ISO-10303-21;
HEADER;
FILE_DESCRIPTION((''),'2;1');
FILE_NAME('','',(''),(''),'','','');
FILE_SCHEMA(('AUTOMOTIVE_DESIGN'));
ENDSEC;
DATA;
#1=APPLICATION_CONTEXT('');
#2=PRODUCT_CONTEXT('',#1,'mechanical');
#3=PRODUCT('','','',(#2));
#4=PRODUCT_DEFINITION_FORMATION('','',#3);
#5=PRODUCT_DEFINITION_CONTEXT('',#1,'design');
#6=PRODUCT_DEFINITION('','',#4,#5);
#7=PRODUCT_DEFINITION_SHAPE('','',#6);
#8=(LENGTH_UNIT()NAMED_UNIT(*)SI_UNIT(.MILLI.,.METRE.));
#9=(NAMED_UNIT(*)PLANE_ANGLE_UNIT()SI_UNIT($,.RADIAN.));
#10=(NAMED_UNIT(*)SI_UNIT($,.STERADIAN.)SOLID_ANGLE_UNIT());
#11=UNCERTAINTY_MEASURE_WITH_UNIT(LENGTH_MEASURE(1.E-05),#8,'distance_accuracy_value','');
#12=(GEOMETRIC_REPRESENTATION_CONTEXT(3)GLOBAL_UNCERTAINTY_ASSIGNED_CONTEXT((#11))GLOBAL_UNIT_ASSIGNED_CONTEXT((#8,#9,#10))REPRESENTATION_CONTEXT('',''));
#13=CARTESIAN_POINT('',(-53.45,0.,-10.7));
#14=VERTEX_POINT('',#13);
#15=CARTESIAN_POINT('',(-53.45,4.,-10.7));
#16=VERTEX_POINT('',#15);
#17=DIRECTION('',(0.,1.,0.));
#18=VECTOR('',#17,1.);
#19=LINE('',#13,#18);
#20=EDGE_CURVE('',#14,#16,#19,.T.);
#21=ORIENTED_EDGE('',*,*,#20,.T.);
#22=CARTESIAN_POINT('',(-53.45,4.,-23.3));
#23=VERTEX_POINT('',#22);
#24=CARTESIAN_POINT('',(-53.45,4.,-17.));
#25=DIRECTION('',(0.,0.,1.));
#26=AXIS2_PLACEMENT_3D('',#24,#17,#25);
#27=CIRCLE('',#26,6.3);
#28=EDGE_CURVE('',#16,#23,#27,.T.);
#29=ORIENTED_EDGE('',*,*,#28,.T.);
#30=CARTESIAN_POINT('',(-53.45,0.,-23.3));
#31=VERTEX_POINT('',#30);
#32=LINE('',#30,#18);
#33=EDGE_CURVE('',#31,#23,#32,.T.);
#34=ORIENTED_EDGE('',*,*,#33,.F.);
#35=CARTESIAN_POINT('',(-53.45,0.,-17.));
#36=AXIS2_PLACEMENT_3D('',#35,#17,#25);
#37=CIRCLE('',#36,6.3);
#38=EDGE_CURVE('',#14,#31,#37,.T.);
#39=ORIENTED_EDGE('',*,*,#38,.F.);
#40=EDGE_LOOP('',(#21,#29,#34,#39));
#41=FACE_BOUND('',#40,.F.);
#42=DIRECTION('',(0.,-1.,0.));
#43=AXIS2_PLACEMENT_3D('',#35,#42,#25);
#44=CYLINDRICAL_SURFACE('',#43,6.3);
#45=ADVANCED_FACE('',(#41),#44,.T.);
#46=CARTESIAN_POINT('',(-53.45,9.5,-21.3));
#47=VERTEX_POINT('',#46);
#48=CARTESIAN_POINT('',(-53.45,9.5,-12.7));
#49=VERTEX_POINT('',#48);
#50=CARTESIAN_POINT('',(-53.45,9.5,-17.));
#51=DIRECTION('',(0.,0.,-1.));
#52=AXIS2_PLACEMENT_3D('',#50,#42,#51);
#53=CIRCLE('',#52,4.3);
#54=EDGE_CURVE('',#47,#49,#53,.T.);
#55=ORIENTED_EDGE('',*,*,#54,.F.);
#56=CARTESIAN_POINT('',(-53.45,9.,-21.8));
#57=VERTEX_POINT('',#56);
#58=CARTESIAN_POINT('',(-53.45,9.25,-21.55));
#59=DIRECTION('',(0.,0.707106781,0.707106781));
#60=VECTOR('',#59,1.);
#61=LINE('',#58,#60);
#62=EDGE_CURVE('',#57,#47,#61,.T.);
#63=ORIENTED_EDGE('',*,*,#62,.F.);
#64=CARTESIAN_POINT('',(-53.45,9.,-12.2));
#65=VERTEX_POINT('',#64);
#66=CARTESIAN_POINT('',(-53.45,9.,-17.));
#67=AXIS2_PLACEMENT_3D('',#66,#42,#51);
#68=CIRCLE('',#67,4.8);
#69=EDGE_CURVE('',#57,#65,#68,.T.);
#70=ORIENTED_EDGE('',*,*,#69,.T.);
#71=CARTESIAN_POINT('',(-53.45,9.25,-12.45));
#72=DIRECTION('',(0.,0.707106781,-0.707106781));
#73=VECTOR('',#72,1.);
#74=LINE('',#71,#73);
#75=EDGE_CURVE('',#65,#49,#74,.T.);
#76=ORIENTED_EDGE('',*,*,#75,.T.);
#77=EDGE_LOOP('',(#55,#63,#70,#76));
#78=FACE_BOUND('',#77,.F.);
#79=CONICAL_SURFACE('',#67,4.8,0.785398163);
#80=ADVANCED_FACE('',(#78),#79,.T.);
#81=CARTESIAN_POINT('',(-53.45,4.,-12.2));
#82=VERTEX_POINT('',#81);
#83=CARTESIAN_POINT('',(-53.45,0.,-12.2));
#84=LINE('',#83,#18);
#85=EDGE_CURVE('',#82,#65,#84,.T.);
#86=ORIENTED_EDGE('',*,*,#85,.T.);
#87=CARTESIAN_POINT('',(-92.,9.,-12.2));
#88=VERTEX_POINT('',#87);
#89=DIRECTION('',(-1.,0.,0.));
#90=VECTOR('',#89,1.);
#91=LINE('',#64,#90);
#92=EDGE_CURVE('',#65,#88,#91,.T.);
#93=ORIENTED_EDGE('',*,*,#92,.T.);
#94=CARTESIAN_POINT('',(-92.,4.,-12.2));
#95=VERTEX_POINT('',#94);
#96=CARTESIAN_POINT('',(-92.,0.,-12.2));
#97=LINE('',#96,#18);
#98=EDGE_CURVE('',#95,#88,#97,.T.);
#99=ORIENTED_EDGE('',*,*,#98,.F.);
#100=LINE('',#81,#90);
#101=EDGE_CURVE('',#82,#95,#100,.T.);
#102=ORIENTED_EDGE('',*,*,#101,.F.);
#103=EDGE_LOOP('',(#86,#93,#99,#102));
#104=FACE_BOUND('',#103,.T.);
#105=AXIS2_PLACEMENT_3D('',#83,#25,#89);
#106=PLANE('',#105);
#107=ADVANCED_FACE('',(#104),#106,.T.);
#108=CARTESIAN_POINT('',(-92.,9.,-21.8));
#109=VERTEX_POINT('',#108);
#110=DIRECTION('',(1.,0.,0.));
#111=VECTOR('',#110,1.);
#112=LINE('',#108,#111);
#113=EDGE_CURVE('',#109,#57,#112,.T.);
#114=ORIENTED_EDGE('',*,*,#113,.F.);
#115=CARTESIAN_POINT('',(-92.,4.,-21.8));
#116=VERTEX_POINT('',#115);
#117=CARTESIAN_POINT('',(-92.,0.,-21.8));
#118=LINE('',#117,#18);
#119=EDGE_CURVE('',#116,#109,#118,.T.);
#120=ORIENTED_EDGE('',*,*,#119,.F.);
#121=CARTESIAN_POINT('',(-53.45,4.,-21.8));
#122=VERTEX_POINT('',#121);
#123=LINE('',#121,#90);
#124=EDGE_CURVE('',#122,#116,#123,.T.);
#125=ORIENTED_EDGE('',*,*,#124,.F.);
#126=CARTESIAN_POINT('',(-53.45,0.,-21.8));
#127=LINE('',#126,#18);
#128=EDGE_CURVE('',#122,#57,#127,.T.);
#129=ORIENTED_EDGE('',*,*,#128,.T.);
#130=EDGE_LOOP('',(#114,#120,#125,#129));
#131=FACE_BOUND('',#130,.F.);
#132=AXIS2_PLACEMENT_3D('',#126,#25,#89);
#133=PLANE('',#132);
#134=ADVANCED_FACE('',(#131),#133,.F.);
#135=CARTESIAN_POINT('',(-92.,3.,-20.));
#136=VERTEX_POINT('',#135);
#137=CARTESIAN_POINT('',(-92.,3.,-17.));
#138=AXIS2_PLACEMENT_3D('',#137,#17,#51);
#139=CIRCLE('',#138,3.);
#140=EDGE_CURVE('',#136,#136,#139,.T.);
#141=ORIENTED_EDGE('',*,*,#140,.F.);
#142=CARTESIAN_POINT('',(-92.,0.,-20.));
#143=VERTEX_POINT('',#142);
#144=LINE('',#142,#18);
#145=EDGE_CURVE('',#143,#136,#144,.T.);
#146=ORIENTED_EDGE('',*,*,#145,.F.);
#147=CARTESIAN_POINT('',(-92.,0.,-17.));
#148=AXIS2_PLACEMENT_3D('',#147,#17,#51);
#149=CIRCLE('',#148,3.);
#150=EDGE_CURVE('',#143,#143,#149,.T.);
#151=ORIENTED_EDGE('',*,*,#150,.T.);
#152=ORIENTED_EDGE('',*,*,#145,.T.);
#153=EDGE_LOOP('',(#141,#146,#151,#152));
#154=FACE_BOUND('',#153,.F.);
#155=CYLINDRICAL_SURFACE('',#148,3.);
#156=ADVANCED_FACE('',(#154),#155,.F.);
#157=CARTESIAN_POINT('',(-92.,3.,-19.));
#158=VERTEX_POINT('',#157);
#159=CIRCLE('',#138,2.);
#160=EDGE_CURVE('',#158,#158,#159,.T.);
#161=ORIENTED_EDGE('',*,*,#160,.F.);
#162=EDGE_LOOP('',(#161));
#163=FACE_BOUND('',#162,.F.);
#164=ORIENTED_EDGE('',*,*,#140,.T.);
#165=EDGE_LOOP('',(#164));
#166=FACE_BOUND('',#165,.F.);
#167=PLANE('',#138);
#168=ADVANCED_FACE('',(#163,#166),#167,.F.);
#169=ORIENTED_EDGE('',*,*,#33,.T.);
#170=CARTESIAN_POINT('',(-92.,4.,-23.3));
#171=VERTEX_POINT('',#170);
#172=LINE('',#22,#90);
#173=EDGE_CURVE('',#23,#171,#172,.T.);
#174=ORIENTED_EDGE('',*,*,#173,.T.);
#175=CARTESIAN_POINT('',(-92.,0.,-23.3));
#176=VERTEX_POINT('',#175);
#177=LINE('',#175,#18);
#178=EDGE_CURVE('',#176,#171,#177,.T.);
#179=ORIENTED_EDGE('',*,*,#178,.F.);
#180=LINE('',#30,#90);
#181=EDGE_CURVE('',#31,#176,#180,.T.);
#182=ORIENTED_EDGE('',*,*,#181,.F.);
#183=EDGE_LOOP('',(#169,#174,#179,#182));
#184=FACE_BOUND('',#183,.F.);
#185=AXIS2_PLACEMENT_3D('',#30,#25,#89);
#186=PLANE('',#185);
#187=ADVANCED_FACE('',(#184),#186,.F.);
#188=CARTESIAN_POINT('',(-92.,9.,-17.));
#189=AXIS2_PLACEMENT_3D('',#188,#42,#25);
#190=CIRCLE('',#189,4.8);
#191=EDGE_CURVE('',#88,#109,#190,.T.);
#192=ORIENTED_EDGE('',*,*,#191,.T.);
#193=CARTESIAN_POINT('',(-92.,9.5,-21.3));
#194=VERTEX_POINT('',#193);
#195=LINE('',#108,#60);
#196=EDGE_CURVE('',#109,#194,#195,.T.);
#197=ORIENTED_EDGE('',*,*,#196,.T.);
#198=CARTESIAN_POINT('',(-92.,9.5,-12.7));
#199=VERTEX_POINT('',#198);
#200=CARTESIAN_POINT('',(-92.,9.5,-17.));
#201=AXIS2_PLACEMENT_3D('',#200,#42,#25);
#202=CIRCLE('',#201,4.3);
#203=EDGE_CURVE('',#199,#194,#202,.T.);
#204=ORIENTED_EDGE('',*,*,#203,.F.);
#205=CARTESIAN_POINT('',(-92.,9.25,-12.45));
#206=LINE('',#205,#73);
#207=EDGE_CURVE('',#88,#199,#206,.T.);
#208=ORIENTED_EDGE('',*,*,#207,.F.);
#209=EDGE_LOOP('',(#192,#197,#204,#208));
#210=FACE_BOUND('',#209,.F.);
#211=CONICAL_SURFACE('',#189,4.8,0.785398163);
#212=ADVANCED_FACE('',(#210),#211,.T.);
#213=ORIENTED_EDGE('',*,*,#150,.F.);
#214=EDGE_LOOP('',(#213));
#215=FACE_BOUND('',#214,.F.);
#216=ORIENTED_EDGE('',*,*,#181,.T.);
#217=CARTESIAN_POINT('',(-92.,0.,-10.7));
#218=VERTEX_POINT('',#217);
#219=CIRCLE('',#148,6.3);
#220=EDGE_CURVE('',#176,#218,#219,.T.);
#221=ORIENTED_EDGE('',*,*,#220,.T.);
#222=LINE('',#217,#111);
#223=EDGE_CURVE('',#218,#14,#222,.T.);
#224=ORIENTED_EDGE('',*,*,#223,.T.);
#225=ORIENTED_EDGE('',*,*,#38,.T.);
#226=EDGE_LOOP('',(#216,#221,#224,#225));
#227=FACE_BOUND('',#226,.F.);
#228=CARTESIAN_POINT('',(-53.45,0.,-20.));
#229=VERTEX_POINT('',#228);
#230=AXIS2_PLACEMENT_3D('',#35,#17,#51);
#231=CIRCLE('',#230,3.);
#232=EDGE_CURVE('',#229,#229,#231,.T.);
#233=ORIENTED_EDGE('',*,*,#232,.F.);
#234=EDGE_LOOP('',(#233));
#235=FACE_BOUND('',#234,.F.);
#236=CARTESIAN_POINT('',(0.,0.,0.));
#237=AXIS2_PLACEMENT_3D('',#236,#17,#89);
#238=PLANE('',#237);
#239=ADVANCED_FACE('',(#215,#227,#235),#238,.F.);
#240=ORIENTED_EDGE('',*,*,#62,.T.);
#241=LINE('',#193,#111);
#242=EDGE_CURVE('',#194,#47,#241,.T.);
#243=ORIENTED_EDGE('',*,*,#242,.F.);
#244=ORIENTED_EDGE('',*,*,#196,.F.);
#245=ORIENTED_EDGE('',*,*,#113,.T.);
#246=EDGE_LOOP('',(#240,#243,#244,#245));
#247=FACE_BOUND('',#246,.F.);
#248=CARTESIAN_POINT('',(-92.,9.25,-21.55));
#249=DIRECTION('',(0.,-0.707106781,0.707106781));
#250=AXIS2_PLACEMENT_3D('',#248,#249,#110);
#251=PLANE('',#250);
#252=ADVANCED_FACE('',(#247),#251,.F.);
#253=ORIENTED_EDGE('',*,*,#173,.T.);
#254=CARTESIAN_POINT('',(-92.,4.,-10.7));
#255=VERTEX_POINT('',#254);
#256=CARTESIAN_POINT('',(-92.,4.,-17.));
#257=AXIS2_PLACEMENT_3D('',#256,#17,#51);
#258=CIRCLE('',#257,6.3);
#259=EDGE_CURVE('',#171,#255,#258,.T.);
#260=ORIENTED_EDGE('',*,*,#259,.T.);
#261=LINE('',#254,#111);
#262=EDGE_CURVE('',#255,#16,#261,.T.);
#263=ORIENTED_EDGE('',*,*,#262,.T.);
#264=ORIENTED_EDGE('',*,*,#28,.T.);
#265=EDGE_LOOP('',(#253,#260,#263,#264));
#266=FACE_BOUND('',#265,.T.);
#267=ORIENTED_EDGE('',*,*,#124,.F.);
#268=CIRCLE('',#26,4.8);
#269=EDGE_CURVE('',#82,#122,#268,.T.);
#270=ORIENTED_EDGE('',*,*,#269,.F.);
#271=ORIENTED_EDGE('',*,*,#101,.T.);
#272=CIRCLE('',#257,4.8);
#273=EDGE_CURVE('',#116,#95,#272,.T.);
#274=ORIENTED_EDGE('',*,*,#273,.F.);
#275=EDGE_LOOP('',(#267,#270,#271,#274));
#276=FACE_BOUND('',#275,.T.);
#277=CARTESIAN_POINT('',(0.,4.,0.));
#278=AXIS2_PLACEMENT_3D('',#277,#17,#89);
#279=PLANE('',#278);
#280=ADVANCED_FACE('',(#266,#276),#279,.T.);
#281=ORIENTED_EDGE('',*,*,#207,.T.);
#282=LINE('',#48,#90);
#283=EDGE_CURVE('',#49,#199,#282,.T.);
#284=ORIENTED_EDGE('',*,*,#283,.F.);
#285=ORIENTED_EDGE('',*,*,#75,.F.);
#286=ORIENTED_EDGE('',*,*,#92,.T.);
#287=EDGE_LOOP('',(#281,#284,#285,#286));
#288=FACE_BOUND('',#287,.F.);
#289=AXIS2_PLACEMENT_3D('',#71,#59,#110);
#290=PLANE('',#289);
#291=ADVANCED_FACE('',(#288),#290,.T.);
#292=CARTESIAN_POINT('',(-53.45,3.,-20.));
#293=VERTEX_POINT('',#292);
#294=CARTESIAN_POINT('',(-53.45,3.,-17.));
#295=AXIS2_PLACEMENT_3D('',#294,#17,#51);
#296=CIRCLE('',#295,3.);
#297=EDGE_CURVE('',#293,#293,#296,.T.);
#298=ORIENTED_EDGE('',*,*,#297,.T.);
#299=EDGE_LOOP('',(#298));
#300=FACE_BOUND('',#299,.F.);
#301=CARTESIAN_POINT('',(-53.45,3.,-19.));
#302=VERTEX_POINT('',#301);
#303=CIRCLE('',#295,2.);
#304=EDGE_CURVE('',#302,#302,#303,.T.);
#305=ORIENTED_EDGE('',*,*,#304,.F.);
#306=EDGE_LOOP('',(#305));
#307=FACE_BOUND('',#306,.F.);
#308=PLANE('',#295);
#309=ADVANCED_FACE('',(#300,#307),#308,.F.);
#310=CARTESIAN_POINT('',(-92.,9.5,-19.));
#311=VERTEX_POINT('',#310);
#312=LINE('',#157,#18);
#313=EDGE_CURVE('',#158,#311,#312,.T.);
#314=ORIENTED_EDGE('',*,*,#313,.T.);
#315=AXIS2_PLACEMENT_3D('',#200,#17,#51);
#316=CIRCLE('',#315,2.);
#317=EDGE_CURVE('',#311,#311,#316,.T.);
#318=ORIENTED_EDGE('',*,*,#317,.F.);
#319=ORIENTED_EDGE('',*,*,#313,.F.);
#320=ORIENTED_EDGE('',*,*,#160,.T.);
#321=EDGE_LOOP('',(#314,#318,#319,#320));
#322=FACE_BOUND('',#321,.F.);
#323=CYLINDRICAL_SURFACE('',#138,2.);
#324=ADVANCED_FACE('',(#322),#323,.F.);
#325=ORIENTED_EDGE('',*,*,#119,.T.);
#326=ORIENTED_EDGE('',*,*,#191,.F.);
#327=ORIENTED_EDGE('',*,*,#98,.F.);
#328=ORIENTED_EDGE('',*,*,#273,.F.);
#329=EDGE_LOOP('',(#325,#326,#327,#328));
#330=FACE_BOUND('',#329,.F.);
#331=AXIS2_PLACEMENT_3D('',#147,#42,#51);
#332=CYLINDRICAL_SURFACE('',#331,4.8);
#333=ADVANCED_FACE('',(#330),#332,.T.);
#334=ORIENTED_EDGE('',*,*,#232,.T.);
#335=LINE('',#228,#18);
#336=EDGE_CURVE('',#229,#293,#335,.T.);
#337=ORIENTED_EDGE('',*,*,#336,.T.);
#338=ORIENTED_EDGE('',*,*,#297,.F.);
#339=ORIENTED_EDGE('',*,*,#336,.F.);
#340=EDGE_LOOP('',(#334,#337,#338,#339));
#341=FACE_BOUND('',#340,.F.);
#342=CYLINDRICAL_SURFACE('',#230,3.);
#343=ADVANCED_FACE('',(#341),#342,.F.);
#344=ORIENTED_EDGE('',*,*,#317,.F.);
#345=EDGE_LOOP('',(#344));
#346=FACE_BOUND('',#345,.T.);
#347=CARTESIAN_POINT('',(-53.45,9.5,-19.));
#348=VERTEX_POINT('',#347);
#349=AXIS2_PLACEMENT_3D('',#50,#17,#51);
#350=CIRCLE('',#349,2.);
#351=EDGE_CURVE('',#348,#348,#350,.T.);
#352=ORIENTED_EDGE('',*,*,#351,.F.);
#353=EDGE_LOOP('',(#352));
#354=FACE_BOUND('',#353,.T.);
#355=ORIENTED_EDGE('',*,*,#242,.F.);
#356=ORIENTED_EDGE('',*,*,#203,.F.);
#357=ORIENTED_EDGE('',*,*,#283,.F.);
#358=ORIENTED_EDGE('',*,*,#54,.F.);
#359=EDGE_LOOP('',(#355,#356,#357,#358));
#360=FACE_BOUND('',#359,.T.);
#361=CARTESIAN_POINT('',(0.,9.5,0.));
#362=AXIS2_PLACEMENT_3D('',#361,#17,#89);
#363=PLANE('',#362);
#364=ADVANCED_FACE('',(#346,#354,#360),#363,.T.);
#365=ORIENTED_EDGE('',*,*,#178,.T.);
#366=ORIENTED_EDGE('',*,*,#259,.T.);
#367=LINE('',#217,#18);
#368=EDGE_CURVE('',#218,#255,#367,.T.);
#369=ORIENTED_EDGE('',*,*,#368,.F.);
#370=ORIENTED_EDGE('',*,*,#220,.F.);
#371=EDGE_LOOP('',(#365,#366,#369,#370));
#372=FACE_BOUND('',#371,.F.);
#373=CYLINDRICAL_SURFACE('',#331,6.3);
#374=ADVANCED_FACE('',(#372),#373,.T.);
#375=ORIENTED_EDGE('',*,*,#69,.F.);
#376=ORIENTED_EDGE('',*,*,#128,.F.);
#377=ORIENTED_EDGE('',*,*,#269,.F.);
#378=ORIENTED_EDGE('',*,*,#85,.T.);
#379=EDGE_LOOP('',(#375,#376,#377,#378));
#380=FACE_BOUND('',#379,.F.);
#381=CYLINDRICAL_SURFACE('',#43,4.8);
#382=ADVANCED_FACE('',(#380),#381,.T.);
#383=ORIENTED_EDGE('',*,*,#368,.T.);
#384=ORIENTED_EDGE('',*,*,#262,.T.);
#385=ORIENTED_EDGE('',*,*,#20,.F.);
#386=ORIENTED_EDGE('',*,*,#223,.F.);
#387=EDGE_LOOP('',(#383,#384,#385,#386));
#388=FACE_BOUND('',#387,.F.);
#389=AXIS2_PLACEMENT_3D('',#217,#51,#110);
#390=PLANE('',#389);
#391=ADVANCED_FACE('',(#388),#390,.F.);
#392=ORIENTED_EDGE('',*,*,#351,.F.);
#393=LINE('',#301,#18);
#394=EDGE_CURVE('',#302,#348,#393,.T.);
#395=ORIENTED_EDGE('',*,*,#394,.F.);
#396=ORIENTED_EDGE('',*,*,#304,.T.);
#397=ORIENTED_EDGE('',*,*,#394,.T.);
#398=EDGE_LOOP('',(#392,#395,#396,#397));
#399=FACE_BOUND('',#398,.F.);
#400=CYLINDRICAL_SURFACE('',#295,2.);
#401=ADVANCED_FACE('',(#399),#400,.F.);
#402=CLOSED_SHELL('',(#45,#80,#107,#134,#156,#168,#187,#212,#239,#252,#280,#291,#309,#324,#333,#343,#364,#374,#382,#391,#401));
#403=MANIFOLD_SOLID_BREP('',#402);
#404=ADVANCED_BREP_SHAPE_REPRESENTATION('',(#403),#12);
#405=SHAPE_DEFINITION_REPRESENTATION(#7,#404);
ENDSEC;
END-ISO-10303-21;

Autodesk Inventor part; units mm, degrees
ref_plane "YZ Plane" through (0, 0, 0) normal (1, 0, 0) x (0, 1, 0)
ref_plane "XZ Plane" through (0, 0, 0) normal (0, 1, 0) x (-1, 0, 0)
ref_plane "XY Plane" through (0, 0, 0) normal (0, 0, 1) x (1, 0, 0)
sketch "Sketch1" plane through (0, 0, 0) normal (0, 1, 0) x (-1, 0, 0)
  line L0 (41.25, -2.25) -> (28.75, -2.25) construction
  line L1 (28.75, -2.25) -> (28.75, -14.75) construction
  line L2 (28.75, -14.75) -> (41.25, -14.75) construction
  line L3 (41.25, -14.75) -> (41.25, -2.25) construction
  line L4 (56.9183, -8.5) -> (8.3915, -8.5) construction
  line L5 (0, -17) -> (105, -17) construction
  line L6 (0, 0) -> (0, -51) construction
  line L7 (0, -34) -> (105, -34) construction
  line L8 (105, -51) -> (105, 0) construction
  line L9 (35, 19) -> (35, -51) construction
  line L10 (56.8064, -25.5) -> (17, -25.5) construction
  line L11 (28.75, -19.25) -> (28.75, -31.75) construction
  line L12 (41.25, -19.25) -> (28.75, -19.25) construction
  line L13 (41.25, -31.75) -> (41.25, -19.25) construction
  line L14 (28.75, -31.75) -> (41.25, -31.75) construction
  line L15 (28.75, -36.25) -> (28.75, -48.75) construction
  line L16 (41.25, -36.25) -> (28.75, -36.25) construction
  line L17 (41.25, -48.75) -> (41.25, -36.25) construction
  line L18 (28.75, -48.75) -> (41.25, -48.75) construction
  line L19 (56.3008, -42.5) -> (16.5498, -42.5) construction
  arc A0 (53.45, -12.2) -> (53.45, -21.8) centre (53.45, -17) ccw
  arc A1 (92, -21.8) -> (92, -12.2) centre (92, -17) ccw
  arc A2 (53.45, -29.2) -> (53.45, -38.8) centre (53.45, -34) ccw construction
  arc A3 (92, -38.8) -> (92, -29.2) centre (92, -34) ccw construction
  line L20 (53.45, -12.2) -> (92, -12.2)
  line L21 (53.45, -21.8) -> (92, -21.8)
  line L22 (53.45, -29.2) -> (92, -29.2) construction
  line L23 (53.45, -38.8) -> (92, -38.8) construction
  arc A4 (16.15, -38.6) -> (16.15, -29.4) centre (16.15, -34) ccw construction
  line L24 (103.5, -49.5) -> (103.5, -1.5) construction
  line L25 (1.5, -1.5) -> (1.5, -49.5) construction
  arc A5 (14, -29.4) -> (14, -38.6) centre (14, -34) ccw construction
  arc A6 (14, -12.4) -> (14, -21.6) centre (14, -17) ccw construction
  line L26 (16.15, -38.6) -> (14, -38.6) construction
  line L27 (14, -29.4) -> (16.15, -29.4) construction
  line L28 (14, -21.6) -> (16.15, -21.6) construction
  line L29 (16.15, -12.4) -> (14, -12.4) construction
  arc A7 (16.15, -21.6) -> (16.15, -12.4) centre (16.15, -17) ccw construction
  arc A8 (96.3, -51) -> (93, -47.7) centre (93, -51) ccw construction
  arc A9 (53.45, -47.7) -> (50.15, -51) centre (53.45, -51) ccw construction
  arc A10 (97.5596, -49.5) -> (93, -46.2) centre (93, -51) ccw construction
  line L30 (93, -46.2) -> (53.45, -46.2) construction
  line L31 (96.3, -51) -> (105, -51) construction
  line L32 (93, -47.7) -> (53.45, -47.7) construction
  line L33 (105, -49.5) -> (97.5596, -49.5) construction
  arc A11 (53.45, -46.2) -> (48.8904, -49.5) centre (53.45, -51) ccw construction
  arc A12 (48.8904, -1.5) -> (53.45, -4.8) centre (53.45, 0) ccw construction
  arc A13 (50.15, 0) -> (53.45, -3.3) centre (53.45, 0) ccw construction
  line L34 (93, -3.3) -> (53.45, -3.3) construction
  line L35 (93, -4.8) -> (53.45, -4.8) construction
  line L36 (97.5596, -1.5) -> (105, -1.5) construction
  line L37 (105, 0) -> (96.3, 0) construction
  arc A14 (93, -3.3) -> (96.3, 0) centre (93, 0) ccw construction
  arc A15 (93, -4.8) -> (97.5596, -1.5) centre (93, 0) ccw construction
  arc A16 (20.45, -51) -> (17.15, -47.7) centre (17.15, -51) ccw construction
  arc A17 (12, -47.7) -> (8.7, -51) centre (12, -51) ccw construction
  line L38 (17.15, -46.2) -> (12, -46.2) construction
  line L39 (17.15, -47.7) -> (12, -47.7) construction
  arc A18 (12, -46.2) -> (7.4404, -49.5) centre (12, -51) ccw construction
  arc A19 (21.7096, -49.5) -> (17.15, -46.2) centre (17.15, -51) ccw construction
  line L40 (48.8904, -49.5) -> (21.7096, -49.5) construction
  line L41 (7.4404, -49.5) -> (0, -49.5) construction
  line L42 (0, -51) -> (8.7, -51) construction
  line L43 (20.45, -51) -> (50.15, -51) construction
  line L44 (17.15, -4.8) -> (12, -4.8) construction
  line L45 (17.15, -3.3) -> (12, -3.3) construction
  arc A20 (8.7, 0) -> (12, -3.3) centre (12, 0) ccw construction
  arc A21 (17.15, -3.3) -> (20.45, 0) centre (17.15, 0) ccw construction
  arc A22 (7.4404, -1.5) -> (12, -4.8) centre (12, 0) ccw construction
  arc A23 (17.15, -4.8) -> (21.7096, -1.5) centre (17.15, 0) ccw construction
  line L46 (50.15, 0) -> (20.45, 0) construction
  line L47 (8.7, 0) -> (0, 0) construction
  line L48 (0, -1.5) -> (7.4404, -1.5) construction
  line L49 (21.7096, -1.5) -> (48.8904, -1.5) construction
  line L50 (113, 2) -> (-20, 2) construction
  line L51 (-20, 2) -> (-20, -53) construction
  line L52 (-20, -53) -> (113, -53) construction
  line L53 (113, -53) -> (113, 2) construction
  arc A24 (92, -23.3) -> (92, -10.7) centre (92, -17) ccw
  arc A25 (53.45, -10.7) -> (53.45, -23.3) centre (53.45, -17) ccw
  line L54 (92, -10.7) -> (53.45, -10.7)
  line L55 (53.45, -23.3) -> (92, -23.3)
  point P0 (35, -8.5)
  point P1 (35, -42.5)
  point P2 (35, -25.5)
  dimension "d0" = 12.5
  dimension "d1" = 12.5
  dimension "d2" = 17
  dimension "d3" = 35
  dimension "d4" = 105
  dimension "d5" = 17
  dimension "d6" = 17
  dimension "d7" = 9.6
  dimension "d8" = 1.5
  dimension "d9" = 1.5
  dimension "d10" = 4.6
  dimension "d11" = 1.5
  dimension "d12" = 1.5
  dimension "d13" = 1.5
  dimension "d14" = 17
  dimension "d15" = 17
  dimension "d16" = 12
  dimension "d17" = 13
  dimension "d18" = 12.2
  dimension "d19" = 11.6
  dimension "d20" = 12.6
  dimension "d21" = 12
  dimension "d22" = 12.5
  dimension "d23" = 2
  dimension "d24" = 8
  dimension "d25" = 20
  dimension "d26" = 1.5
extrude "Extrusion1" add sketch "Sketch1" along normal blind 9.5 contours L20 A1 L21 A0
extrude "Extrusion2" add sketch "Sketch1" along normal blind 4
chamfer "Chamfer1" distance 0.5 angle 45 4 edges at (-72.725, 9.5, -12.2) (-48.65, 9.5, -17) (-72.725, 9.5, -21.8) (-96.8, 9.5, -17)
hole "Hole1" at (-35, 0, -8.5) at (0, 0, -17) at (-35, 0, -42.5) at (-35, 0, -25.5) at (-92, 0, -17) at (-53.45, 0, -17) direction (0, 1, 0) diameter 4 end through all counterbore diameter 6 counterbore depth 3
properties part number "Large_retainer"
